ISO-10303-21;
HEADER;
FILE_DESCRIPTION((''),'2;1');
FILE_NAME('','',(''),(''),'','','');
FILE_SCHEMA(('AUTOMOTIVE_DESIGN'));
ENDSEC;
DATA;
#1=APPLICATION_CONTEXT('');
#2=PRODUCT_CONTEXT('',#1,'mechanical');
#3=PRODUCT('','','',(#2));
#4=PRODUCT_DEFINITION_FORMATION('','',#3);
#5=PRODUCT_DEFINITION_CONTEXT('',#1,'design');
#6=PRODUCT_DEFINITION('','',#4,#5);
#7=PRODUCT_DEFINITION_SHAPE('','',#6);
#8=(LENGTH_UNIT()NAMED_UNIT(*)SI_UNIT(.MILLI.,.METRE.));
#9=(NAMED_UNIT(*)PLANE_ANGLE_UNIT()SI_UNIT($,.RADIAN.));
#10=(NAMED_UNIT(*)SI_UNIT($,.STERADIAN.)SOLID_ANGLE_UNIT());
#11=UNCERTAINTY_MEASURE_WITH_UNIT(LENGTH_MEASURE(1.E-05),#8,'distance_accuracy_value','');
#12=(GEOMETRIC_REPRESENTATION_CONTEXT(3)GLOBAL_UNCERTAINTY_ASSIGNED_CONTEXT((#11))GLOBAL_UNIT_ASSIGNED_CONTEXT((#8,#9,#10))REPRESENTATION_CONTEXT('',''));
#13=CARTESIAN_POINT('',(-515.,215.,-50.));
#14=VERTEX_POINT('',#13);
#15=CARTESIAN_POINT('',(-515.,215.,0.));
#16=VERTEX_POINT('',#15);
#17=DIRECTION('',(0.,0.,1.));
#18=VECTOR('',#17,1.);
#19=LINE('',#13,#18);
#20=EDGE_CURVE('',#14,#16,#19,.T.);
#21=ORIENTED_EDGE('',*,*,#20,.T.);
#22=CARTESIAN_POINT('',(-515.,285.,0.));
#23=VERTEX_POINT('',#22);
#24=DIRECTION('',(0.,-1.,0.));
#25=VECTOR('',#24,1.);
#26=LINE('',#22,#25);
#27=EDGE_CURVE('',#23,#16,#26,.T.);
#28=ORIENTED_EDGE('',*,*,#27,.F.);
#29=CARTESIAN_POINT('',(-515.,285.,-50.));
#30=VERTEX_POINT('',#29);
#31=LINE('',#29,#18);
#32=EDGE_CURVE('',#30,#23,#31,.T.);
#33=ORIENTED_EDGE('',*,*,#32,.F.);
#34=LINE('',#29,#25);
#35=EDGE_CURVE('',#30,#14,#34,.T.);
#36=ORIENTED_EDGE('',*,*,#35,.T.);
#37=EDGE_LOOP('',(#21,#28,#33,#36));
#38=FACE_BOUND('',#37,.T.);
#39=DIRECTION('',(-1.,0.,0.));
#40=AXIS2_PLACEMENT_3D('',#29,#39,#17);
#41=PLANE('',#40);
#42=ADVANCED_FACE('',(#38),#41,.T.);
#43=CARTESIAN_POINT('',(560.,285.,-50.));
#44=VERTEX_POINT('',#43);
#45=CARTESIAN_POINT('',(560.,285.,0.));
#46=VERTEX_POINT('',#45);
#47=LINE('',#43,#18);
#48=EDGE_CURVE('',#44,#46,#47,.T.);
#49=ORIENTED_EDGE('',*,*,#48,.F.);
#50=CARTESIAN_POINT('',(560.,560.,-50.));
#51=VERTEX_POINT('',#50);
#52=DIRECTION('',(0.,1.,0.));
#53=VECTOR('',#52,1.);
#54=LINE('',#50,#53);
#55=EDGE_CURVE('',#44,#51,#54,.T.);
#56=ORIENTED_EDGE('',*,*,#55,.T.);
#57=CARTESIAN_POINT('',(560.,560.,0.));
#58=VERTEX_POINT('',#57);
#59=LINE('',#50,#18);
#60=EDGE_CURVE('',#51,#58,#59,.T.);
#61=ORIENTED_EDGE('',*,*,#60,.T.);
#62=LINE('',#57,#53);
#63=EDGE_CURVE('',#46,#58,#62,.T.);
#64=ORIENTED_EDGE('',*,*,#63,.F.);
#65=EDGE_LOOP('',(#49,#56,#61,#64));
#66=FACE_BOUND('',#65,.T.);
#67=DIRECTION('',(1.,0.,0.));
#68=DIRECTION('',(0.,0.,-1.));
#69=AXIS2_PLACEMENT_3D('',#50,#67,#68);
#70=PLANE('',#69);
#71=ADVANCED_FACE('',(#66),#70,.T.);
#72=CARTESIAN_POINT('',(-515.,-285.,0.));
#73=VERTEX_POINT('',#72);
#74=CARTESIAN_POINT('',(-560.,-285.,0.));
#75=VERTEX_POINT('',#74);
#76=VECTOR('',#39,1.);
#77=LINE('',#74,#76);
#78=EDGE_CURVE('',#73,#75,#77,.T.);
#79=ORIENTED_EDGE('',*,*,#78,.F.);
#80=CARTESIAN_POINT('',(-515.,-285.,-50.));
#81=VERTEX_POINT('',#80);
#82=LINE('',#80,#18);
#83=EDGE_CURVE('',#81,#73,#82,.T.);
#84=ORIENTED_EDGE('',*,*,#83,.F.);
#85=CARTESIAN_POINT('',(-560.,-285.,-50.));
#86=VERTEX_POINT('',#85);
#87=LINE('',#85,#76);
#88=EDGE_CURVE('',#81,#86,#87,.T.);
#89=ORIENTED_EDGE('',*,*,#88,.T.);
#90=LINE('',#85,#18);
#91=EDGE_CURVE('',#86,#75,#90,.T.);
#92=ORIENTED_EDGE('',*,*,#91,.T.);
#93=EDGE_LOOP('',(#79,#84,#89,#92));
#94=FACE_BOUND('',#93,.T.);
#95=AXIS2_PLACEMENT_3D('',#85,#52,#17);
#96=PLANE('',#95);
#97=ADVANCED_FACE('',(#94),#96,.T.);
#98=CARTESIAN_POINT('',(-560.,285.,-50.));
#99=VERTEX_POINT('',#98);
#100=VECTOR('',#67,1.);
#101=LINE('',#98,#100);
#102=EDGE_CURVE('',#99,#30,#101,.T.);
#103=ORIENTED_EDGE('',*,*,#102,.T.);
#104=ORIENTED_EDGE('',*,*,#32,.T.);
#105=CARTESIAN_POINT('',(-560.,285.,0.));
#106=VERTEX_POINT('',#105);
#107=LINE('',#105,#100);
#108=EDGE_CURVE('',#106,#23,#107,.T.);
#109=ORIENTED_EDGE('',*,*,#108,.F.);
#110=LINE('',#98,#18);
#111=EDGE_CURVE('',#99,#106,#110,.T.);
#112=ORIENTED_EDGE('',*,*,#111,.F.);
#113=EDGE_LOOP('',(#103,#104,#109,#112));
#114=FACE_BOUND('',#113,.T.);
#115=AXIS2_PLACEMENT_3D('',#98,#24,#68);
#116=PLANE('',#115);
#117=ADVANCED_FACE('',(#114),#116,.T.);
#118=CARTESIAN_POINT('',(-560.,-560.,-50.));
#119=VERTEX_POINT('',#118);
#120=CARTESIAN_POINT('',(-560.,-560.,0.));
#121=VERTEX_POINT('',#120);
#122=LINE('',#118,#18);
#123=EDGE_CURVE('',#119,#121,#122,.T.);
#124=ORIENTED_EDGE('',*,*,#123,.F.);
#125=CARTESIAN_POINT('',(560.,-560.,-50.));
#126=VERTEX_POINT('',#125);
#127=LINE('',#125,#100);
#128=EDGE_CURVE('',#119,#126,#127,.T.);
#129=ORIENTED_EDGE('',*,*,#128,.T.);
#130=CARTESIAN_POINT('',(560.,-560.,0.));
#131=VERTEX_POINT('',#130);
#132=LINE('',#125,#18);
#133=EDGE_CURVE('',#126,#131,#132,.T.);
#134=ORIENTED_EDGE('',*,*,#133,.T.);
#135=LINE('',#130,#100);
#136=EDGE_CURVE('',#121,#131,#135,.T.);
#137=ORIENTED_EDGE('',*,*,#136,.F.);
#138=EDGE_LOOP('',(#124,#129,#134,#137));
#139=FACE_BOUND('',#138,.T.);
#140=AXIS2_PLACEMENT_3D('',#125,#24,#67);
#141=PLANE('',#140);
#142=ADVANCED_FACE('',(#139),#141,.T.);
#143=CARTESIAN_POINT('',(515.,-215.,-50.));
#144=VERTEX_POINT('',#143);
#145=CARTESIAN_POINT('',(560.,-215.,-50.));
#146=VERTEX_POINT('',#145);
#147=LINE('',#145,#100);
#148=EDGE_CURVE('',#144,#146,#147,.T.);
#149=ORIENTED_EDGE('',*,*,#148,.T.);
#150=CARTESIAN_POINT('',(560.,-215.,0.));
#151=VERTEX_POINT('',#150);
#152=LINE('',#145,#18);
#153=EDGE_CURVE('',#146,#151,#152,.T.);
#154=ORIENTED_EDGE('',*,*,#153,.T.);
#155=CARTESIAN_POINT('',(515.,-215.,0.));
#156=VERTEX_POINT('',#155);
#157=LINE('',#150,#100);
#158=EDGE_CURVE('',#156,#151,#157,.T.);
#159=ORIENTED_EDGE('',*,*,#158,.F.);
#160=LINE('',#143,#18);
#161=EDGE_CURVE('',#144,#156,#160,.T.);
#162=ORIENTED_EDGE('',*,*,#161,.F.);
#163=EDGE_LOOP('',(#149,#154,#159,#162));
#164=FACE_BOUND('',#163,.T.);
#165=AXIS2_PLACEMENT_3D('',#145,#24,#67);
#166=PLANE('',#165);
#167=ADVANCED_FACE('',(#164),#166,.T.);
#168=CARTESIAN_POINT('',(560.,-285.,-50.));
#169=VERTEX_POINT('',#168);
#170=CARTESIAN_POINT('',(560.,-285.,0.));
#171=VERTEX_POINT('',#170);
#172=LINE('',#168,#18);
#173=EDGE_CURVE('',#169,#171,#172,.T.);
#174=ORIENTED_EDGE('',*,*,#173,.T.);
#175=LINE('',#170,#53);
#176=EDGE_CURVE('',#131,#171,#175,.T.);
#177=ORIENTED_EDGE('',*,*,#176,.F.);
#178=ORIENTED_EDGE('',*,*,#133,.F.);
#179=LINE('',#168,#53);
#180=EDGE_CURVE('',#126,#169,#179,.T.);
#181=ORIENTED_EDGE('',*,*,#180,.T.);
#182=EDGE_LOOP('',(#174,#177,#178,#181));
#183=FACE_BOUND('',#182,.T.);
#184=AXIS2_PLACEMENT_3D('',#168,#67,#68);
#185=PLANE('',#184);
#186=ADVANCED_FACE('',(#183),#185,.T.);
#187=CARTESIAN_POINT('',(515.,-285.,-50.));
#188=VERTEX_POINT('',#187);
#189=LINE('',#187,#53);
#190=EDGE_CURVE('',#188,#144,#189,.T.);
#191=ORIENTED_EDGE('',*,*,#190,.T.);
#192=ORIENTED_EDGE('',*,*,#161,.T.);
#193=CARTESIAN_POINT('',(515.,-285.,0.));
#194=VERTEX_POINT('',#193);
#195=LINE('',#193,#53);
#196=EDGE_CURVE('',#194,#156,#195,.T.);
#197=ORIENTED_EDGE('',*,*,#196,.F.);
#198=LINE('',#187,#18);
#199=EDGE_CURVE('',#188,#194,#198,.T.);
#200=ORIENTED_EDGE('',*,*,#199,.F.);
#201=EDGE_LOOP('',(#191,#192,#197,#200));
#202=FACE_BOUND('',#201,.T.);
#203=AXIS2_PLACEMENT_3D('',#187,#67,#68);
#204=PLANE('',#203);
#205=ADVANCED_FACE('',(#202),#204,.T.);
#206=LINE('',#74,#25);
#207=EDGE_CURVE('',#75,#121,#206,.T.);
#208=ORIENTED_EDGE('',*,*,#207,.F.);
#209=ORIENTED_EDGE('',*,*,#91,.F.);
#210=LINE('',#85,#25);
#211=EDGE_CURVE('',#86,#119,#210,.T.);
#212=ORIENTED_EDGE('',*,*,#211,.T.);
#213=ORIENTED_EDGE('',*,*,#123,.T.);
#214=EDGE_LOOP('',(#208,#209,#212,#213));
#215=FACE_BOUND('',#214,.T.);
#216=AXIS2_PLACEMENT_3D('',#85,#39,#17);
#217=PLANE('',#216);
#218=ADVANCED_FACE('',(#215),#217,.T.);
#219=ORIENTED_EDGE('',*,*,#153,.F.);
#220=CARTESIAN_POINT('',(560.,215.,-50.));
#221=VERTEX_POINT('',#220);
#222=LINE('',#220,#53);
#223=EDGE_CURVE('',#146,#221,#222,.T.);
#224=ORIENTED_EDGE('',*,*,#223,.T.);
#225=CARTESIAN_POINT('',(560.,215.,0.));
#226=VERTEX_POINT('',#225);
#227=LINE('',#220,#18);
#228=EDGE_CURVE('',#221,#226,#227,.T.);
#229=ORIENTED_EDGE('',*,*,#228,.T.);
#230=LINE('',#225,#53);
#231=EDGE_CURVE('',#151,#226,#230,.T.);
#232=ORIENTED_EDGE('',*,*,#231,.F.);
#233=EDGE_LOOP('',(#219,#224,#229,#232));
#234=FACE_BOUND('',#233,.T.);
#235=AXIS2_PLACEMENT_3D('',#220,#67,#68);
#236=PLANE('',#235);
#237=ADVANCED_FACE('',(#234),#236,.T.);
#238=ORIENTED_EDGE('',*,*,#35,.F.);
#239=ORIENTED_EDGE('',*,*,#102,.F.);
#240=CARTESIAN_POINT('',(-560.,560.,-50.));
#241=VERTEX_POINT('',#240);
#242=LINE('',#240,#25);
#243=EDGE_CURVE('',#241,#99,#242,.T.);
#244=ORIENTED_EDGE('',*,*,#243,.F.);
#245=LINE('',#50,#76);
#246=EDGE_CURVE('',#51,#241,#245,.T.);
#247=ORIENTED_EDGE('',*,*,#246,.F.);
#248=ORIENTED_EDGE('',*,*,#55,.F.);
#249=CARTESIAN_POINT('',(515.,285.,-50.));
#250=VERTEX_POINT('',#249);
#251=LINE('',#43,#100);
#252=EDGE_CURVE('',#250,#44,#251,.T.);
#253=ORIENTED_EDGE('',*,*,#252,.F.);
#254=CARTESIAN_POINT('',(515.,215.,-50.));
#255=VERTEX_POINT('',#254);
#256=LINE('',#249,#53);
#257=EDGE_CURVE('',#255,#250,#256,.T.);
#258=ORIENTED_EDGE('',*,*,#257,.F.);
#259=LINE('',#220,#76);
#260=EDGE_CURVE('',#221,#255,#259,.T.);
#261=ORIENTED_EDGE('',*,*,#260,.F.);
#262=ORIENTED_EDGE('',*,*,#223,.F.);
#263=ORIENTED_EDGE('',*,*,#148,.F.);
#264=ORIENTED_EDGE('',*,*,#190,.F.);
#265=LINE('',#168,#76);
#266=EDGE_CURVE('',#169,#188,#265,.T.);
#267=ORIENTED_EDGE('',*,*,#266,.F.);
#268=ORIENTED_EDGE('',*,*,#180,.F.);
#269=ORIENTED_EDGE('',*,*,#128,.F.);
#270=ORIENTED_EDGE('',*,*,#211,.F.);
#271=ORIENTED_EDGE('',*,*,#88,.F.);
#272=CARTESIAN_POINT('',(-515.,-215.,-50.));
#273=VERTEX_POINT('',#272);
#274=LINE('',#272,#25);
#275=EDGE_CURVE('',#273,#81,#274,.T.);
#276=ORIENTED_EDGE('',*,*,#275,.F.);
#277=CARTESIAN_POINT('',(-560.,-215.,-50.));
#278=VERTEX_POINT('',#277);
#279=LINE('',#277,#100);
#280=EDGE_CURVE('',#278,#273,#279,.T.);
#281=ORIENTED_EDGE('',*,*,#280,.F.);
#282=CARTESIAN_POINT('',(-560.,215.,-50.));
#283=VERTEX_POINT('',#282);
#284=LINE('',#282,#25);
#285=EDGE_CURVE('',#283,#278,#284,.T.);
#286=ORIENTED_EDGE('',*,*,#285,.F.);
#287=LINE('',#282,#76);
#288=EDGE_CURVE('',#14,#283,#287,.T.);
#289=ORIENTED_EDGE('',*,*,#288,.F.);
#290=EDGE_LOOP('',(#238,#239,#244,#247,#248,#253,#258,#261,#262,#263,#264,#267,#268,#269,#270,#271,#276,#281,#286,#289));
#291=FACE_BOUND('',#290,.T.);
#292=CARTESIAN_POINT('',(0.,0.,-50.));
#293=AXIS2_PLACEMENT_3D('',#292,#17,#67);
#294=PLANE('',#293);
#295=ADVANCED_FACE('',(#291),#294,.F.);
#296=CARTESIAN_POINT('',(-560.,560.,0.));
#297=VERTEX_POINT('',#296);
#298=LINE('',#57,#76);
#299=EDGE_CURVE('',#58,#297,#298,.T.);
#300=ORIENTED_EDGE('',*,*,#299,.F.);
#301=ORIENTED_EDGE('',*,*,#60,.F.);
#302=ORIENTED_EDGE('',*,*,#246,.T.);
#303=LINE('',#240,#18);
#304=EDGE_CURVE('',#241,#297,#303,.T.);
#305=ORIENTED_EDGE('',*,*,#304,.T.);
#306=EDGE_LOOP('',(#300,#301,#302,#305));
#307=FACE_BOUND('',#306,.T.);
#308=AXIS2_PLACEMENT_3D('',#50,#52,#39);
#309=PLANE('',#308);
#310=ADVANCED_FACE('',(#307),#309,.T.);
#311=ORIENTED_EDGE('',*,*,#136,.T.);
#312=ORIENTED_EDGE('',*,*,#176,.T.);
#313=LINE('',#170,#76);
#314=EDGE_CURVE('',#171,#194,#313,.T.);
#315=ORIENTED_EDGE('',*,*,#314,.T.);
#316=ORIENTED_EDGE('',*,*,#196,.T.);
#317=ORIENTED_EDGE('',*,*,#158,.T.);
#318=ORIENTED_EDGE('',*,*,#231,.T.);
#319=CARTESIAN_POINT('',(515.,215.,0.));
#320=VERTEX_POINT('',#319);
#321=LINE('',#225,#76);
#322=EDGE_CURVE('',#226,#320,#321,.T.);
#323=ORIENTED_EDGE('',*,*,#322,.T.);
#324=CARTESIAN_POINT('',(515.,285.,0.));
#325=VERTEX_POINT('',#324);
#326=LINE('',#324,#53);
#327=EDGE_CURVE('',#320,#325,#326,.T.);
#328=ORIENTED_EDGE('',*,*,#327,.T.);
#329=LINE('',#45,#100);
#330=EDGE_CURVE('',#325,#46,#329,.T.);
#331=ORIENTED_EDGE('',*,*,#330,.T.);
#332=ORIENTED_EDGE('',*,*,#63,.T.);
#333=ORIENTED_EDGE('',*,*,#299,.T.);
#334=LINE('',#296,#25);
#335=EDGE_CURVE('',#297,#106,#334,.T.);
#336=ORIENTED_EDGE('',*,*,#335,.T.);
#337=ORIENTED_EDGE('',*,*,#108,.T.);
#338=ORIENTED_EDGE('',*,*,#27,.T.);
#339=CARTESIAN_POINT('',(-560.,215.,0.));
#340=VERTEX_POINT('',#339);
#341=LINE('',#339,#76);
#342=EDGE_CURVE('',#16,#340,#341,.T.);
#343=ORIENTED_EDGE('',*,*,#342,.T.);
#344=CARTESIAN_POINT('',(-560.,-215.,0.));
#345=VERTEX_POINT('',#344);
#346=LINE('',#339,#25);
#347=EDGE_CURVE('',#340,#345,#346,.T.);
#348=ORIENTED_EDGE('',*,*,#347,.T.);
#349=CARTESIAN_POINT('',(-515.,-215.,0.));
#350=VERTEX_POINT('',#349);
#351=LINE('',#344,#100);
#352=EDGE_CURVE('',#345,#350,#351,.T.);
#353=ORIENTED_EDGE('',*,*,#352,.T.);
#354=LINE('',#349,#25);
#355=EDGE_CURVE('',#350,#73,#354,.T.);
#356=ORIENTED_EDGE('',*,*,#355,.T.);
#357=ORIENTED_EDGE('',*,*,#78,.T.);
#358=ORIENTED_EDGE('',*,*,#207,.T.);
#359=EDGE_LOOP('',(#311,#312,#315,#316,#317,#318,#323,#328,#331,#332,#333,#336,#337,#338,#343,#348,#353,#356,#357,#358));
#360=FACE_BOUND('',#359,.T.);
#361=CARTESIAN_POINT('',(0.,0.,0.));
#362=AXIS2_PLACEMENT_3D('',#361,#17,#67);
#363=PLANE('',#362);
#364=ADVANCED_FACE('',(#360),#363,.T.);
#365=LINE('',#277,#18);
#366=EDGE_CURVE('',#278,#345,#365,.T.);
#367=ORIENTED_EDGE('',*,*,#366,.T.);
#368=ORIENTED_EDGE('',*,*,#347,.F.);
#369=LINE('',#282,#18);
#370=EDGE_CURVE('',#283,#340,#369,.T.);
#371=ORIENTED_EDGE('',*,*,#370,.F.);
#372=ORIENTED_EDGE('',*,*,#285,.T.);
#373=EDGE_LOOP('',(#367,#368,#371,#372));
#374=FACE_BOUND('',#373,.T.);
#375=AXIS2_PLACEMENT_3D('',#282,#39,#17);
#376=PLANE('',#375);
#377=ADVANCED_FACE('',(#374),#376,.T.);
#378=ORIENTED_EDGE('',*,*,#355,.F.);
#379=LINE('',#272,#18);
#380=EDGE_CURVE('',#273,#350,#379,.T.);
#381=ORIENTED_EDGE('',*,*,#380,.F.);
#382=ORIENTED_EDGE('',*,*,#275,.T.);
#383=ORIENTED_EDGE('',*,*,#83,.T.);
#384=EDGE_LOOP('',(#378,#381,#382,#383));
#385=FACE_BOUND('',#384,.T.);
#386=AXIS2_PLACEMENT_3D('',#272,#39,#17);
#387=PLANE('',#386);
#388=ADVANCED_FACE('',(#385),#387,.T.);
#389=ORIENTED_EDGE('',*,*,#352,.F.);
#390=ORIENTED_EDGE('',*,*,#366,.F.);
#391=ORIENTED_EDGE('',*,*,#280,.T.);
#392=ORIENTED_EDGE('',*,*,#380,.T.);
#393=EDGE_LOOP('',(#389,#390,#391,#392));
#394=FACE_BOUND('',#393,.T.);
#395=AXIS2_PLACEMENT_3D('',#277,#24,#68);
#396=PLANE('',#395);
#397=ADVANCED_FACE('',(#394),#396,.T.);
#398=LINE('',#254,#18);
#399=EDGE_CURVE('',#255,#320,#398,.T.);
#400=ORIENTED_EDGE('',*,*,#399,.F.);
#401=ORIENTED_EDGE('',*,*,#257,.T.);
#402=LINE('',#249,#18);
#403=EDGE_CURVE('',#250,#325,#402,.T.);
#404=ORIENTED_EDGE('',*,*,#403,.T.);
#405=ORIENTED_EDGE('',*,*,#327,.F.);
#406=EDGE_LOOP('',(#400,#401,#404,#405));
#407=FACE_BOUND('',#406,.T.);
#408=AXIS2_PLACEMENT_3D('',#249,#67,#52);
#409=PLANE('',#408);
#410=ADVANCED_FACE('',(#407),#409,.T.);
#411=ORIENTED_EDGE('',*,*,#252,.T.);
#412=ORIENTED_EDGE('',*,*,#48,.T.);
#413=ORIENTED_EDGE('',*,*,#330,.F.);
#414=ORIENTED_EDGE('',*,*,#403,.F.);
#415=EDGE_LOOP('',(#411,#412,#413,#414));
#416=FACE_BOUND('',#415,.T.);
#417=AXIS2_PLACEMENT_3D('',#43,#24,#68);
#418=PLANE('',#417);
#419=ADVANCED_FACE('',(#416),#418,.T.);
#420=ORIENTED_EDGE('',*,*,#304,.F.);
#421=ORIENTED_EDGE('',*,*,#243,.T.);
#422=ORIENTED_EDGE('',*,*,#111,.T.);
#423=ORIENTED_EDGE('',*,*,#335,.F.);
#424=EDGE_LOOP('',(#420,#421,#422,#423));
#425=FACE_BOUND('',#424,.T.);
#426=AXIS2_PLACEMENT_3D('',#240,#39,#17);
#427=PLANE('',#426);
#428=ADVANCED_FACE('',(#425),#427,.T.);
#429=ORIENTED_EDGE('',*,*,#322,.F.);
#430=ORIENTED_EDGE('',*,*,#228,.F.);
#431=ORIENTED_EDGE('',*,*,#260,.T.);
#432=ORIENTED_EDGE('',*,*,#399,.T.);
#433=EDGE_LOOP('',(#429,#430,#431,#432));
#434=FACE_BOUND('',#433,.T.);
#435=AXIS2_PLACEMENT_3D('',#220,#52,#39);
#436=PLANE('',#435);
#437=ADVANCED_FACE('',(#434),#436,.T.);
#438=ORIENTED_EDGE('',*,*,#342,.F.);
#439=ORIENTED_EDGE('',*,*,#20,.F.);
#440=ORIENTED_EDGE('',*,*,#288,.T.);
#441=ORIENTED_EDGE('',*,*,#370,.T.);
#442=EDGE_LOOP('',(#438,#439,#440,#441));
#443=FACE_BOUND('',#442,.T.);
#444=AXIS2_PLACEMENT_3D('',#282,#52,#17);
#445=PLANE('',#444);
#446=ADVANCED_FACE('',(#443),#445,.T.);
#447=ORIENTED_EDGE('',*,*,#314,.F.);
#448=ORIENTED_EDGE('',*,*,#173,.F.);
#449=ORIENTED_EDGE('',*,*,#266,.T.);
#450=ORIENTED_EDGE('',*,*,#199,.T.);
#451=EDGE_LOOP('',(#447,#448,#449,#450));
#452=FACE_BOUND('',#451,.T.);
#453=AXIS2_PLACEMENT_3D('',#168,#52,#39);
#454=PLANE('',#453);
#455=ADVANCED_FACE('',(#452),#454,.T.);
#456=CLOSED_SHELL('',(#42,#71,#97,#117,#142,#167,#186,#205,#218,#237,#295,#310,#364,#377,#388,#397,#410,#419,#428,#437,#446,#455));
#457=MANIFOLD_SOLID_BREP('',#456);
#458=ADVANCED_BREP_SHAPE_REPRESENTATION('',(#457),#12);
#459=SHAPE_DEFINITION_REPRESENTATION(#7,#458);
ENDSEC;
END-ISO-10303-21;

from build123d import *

# Parameters (mm, degrees)
BOSS_EXTRU_1_DEPTH = 50


with BuildPart() as part:
    # Esquisse1 → Boss.-Extru.1 (new body)
    with BuildSketch(Plane.XY):
        Polygon((560, -560), (-560, -560), (-560, -285), (-515, -285), (-515, -215), (-560, -215), (-560, 215), (-515, 215), (-515, 285), (-560, 285), (-560, 560), (560, 560), (560, 285), (515, 285), (515, 215), (560, 215), (560, -215), (515, -215), (515, -285), (560, -285), align=None)
    extrude(amount=-BOSS_EXTRU_1_DEPTH)


solid = part.part
